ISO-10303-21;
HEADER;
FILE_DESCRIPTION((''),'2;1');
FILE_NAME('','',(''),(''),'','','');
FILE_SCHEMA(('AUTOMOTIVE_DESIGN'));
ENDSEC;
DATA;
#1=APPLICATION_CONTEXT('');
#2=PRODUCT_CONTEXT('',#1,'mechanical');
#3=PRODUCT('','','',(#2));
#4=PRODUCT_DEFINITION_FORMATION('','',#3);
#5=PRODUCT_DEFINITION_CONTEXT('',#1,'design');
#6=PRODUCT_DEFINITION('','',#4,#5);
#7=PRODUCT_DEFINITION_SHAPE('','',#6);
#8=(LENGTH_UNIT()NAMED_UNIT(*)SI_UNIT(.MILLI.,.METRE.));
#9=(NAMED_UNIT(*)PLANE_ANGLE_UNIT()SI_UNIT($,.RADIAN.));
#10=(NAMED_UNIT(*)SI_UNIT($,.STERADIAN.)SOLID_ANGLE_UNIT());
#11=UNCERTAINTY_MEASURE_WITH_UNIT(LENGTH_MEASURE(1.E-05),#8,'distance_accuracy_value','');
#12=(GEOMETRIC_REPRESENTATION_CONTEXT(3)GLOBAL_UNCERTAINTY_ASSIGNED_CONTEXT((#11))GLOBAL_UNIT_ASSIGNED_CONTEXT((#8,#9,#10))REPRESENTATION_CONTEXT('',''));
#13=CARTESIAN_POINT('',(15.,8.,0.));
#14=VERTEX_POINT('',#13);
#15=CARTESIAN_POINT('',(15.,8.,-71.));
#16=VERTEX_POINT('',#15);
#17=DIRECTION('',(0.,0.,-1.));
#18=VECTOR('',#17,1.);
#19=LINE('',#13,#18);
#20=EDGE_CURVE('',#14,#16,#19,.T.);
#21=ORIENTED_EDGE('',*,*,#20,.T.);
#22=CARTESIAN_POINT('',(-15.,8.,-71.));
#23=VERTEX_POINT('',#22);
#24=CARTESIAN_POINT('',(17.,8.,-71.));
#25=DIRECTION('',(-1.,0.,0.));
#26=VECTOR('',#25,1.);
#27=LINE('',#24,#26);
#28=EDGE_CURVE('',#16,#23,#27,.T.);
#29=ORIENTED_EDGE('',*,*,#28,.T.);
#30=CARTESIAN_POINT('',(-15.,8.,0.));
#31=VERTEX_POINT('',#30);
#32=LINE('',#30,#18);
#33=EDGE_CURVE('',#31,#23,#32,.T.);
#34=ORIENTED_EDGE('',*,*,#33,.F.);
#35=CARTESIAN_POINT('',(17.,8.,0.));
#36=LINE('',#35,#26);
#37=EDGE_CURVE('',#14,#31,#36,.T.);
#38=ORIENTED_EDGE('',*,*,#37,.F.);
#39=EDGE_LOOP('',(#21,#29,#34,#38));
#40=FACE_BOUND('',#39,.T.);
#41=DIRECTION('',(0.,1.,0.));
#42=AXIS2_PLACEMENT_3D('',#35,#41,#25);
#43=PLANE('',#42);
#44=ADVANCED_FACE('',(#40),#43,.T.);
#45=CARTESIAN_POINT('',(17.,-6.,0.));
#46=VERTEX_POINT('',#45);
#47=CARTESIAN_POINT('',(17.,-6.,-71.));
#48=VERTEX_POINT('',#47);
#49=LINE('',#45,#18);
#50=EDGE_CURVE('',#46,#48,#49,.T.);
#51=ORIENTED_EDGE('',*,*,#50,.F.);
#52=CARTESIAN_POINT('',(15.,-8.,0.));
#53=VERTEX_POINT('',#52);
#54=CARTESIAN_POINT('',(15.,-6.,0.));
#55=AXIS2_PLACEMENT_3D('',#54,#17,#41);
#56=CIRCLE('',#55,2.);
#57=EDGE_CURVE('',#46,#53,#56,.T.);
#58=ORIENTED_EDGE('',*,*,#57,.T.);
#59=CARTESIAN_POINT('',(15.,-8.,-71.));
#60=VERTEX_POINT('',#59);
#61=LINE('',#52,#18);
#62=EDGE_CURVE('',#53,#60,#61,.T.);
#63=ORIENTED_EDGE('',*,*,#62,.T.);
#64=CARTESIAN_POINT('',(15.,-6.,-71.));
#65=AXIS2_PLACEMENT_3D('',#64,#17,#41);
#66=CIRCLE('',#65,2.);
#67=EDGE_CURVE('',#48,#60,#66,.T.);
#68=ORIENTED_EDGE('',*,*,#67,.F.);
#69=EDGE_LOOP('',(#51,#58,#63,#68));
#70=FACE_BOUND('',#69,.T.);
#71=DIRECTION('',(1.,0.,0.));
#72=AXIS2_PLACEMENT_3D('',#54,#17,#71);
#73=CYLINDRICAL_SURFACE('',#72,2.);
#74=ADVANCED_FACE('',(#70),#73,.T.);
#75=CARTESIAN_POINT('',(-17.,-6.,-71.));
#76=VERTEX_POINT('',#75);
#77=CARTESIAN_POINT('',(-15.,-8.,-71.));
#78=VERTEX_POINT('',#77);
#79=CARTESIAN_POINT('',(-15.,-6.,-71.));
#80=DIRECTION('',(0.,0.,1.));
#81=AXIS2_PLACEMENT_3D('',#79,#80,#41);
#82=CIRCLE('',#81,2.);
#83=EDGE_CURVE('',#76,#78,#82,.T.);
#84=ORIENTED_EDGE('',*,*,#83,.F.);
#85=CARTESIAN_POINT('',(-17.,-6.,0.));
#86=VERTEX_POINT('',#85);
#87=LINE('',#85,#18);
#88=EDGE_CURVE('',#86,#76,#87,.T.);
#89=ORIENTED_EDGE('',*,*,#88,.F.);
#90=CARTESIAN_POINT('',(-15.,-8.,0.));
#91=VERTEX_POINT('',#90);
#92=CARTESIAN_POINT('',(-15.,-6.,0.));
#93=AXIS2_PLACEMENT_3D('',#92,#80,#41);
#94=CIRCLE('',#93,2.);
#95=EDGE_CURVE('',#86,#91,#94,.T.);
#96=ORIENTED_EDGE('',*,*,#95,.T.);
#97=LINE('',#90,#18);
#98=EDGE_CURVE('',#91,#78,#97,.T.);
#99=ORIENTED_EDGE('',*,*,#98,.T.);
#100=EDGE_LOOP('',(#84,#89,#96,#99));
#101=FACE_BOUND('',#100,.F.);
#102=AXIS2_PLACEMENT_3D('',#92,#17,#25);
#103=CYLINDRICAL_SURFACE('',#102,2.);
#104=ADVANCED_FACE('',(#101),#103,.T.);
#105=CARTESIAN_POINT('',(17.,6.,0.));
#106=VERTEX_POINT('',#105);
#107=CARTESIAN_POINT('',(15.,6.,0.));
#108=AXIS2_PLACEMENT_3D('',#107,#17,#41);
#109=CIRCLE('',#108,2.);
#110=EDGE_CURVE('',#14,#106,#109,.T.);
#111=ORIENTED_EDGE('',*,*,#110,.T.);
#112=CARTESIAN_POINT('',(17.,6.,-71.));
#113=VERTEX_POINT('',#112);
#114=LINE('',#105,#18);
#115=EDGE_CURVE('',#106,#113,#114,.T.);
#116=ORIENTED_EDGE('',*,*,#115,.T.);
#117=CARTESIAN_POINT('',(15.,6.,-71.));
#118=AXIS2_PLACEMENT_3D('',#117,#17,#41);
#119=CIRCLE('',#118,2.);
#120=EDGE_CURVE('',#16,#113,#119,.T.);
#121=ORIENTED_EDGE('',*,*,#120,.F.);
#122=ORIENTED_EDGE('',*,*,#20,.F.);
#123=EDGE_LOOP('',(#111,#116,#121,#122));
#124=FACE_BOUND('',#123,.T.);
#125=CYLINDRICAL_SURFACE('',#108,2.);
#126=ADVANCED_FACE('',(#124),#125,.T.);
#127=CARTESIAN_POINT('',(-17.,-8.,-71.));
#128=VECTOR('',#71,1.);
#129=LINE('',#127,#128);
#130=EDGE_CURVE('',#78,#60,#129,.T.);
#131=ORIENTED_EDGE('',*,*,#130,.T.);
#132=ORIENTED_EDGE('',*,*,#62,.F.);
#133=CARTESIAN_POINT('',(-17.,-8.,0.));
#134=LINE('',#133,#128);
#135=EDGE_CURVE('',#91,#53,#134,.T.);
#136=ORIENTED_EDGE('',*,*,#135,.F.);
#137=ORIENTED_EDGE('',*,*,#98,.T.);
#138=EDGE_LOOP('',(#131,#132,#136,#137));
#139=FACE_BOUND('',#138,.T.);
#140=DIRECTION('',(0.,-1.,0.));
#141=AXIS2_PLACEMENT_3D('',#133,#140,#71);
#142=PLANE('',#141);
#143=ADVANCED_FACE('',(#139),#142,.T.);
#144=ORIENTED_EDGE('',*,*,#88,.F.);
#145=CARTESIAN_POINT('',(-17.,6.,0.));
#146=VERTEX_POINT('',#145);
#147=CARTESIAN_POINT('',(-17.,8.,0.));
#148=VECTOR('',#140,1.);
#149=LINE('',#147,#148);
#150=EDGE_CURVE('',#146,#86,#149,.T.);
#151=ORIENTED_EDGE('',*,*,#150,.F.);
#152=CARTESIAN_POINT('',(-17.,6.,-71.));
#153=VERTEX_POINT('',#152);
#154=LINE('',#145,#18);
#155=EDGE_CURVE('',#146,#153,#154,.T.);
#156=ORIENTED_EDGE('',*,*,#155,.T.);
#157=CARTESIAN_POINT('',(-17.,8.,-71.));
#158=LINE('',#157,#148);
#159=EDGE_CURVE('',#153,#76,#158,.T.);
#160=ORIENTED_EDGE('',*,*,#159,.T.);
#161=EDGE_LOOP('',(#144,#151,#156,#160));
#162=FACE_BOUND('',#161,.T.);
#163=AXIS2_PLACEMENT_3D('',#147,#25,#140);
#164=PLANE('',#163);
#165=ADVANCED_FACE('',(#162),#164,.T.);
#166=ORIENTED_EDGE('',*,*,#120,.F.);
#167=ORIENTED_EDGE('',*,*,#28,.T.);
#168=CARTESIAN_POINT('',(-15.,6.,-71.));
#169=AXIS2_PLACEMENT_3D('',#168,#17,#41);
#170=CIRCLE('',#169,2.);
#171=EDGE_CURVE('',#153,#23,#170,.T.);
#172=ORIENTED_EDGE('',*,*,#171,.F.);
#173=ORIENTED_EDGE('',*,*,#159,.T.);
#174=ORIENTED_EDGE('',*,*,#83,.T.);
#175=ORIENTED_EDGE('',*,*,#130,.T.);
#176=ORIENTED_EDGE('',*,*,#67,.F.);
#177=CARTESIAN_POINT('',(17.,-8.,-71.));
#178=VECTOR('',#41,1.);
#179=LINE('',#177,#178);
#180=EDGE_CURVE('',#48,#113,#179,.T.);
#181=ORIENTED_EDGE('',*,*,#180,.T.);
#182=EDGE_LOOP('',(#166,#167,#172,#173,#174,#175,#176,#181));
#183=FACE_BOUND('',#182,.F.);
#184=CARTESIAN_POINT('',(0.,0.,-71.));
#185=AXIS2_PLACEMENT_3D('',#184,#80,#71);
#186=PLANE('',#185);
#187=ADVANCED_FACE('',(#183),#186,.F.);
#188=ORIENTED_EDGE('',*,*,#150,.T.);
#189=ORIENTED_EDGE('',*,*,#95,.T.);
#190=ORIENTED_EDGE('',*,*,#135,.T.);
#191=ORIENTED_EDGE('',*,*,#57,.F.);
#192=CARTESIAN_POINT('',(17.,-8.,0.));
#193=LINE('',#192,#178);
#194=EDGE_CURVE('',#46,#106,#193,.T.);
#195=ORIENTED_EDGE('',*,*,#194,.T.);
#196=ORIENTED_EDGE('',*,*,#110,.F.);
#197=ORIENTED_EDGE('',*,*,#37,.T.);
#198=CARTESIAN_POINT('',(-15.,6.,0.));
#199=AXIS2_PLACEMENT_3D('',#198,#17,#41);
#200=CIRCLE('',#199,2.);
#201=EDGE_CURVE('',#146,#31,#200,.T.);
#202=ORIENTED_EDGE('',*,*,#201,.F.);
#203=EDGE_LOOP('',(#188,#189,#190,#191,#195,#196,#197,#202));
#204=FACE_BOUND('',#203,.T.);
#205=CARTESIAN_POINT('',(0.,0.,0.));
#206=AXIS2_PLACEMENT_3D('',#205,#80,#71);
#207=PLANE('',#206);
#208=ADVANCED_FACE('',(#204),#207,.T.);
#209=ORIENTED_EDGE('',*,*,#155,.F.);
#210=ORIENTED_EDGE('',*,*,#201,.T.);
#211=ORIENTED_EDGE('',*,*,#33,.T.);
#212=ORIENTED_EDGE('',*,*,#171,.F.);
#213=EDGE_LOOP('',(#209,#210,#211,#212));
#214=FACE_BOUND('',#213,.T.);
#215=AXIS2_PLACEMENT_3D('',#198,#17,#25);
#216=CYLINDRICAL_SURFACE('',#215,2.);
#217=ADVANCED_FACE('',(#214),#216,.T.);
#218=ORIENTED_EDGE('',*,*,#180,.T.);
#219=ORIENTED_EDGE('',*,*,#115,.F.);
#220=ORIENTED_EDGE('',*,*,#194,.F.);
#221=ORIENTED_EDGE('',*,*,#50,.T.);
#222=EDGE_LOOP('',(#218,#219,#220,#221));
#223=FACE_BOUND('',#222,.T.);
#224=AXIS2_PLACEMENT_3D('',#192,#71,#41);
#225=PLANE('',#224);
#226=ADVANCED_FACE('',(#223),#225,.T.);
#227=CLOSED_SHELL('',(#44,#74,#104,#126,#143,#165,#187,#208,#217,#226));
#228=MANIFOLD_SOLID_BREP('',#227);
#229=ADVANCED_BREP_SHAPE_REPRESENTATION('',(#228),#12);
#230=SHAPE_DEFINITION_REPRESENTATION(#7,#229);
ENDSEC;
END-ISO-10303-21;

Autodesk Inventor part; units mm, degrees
ref_plane "YZ Plane" through (0, 0, 0) normal (1, 0, 0) x (0, 1, 0)
ref_plane "XZ Plane" through (0, 0, 0) normal (0, 1, 0) x (-1, 0, 0)
ref_plane "XY Plane" through (0, 0, 0) normal (0, 0, 1) x (1, 0, 0)
sketch "Sketch3" plane through (0, 0, 0) normal (0, 0, 1) x (1, 0, 0)
  line L0 (-17, -8) -> (17, -8)
  line L1 (17, -8) -> (17, 8)
  line L2 (17, 8) -> (-17, 8)
  line L3 (-17, 8) -> (-17, -8)
  line L4 (-17, -8) -> (17, 8) construction
  line L5 (17, -8) -> (-17, 8) construction
  point P0 (0, 0)
  dimension "d4" = 34
  dimension "d5" = 16
extrude "Extrusion2" add sketch "Sketch3" against normal blind 71
sketch "Sketch4" plane through (-17, 8, 0) normal (0, 1, 0) x (1, 0, 0)
  point P0 (17, 0)
fillet "Fillet1" radius 2 4 edges at (17, 8, -35.5) (-17, 8, -35.5) (-17, -8, -35.5) (17, -8, -35.5)
properties part number "PX9200-23A_LIPO_Battery"
